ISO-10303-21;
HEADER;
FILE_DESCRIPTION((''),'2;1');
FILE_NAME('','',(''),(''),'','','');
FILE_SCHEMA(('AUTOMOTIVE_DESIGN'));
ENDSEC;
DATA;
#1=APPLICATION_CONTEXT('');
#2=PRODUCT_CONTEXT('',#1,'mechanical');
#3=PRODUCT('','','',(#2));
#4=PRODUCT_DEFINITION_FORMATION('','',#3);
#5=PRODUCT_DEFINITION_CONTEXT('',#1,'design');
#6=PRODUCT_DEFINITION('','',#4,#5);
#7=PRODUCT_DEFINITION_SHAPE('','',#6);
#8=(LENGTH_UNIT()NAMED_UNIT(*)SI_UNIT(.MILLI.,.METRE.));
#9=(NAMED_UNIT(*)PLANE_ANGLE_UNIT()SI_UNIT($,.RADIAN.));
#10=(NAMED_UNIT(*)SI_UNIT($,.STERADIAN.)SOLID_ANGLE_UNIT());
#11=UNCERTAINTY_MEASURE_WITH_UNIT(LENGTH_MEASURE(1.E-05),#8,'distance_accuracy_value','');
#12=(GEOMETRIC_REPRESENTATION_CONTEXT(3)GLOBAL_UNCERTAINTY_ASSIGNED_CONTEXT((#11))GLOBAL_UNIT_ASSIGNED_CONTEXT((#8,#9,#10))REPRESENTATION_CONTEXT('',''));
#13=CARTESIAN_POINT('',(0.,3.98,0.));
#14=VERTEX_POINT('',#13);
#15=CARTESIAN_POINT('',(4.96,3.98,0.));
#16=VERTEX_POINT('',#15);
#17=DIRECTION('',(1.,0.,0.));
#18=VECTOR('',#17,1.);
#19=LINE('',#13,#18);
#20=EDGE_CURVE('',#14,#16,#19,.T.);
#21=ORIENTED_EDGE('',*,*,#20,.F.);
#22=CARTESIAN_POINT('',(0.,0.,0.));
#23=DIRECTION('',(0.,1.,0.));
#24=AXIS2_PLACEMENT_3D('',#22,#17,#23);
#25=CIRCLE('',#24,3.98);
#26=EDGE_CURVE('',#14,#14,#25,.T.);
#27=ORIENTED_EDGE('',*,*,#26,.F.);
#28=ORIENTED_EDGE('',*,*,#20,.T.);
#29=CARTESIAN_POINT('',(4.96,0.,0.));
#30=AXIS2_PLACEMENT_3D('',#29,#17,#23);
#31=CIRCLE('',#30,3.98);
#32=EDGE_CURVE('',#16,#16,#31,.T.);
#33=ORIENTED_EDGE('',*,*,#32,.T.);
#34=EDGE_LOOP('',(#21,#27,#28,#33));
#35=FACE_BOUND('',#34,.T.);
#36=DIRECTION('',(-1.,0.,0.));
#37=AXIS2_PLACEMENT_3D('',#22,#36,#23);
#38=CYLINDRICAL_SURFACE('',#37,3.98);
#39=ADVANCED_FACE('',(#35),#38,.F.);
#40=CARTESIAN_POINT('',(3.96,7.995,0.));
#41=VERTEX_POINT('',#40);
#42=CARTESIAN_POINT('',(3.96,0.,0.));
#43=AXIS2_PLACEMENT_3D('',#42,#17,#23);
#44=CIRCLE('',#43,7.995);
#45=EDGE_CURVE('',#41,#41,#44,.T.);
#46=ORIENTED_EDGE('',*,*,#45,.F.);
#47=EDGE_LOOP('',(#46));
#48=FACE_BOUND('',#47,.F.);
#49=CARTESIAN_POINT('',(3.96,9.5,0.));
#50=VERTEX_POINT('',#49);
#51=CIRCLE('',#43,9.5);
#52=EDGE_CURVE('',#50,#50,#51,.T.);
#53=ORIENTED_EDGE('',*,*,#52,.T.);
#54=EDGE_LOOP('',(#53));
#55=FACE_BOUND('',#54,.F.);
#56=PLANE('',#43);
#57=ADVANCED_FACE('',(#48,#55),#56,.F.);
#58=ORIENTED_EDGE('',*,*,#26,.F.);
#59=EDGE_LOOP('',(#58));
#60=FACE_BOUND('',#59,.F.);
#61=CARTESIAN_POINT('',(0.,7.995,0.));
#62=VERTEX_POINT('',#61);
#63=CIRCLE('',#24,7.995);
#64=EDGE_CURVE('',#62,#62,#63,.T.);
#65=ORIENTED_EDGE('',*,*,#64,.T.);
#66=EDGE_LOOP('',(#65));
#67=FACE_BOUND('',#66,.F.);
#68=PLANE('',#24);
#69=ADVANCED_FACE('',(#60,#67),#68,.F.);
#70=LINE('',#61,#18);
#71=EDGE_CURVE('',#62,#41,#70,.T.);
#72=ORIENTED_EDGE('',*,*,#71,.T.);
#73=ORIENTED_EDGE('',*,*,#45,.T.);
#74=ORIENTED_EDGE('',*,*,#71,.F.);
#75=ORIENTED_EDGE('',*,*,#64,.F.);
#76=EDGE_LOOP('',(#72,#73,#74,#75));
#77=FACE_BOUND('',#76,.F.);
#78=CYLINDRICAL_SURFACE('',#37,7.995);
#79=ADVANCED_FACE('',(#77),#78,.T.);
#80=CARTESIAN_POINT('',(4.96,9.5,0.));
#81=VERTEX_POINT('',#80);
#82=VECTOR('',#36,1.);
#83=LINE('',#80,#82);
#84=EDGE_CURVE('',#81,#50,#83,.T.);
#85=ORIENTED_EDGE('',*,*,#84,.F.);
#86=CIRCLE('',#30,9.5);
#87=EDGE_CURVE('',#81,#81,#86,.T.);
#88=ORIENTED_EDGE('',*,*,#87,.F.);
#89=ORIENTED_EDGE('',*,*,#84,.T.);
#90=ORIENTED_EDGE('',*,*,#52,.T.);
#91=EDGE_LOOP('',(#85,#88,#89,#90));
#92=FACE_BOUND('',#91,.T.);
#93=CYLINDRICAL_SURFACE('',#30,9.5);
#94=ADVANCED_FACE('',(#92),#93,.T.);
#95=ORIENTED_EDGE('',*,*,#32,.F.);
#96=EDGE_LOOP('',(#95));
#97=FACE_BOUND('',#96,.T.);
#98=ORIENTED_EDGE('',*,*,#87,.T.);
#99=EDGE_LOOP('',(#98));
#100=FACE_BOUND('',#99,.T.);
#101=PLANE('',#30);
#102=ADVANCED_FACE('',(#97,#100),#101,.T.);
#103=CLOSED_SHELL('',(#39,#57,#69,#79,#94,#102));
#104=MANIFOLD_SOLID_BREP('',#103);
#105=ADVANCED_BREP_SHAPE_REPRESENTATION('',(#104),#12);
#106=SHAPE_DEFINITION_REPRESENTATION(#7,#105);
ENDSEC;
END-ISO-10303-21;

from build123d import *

# Parameters (mm, degrees)
F0_R     = 7.995
F0_R_2   = 3.98
F1_DEPTH = 4.96
F2_R     = 9.5
F2_R_2   = 7.995
F3_DEPTH = 1


with BuildPart() as f1:
    # F0 (on Right) → F1 (new body)
    with BuildSketch(Plane.YZ):
        Circle(F0_R)
        Circle(F0_R_2, mode=Mode.SUBTRACT)
    extrude(amount=F1_DEPTH)

    # F2 (on face) → F3 (join)
    with BuildSketch(Plane.YZ.offset(4.96)):
        Circle(F2_R)
        Circle(F2_R_2, mode=Mode.SUBTRACT)
    extrude(amount=-F3_DEPTH)


solid = f1.part
